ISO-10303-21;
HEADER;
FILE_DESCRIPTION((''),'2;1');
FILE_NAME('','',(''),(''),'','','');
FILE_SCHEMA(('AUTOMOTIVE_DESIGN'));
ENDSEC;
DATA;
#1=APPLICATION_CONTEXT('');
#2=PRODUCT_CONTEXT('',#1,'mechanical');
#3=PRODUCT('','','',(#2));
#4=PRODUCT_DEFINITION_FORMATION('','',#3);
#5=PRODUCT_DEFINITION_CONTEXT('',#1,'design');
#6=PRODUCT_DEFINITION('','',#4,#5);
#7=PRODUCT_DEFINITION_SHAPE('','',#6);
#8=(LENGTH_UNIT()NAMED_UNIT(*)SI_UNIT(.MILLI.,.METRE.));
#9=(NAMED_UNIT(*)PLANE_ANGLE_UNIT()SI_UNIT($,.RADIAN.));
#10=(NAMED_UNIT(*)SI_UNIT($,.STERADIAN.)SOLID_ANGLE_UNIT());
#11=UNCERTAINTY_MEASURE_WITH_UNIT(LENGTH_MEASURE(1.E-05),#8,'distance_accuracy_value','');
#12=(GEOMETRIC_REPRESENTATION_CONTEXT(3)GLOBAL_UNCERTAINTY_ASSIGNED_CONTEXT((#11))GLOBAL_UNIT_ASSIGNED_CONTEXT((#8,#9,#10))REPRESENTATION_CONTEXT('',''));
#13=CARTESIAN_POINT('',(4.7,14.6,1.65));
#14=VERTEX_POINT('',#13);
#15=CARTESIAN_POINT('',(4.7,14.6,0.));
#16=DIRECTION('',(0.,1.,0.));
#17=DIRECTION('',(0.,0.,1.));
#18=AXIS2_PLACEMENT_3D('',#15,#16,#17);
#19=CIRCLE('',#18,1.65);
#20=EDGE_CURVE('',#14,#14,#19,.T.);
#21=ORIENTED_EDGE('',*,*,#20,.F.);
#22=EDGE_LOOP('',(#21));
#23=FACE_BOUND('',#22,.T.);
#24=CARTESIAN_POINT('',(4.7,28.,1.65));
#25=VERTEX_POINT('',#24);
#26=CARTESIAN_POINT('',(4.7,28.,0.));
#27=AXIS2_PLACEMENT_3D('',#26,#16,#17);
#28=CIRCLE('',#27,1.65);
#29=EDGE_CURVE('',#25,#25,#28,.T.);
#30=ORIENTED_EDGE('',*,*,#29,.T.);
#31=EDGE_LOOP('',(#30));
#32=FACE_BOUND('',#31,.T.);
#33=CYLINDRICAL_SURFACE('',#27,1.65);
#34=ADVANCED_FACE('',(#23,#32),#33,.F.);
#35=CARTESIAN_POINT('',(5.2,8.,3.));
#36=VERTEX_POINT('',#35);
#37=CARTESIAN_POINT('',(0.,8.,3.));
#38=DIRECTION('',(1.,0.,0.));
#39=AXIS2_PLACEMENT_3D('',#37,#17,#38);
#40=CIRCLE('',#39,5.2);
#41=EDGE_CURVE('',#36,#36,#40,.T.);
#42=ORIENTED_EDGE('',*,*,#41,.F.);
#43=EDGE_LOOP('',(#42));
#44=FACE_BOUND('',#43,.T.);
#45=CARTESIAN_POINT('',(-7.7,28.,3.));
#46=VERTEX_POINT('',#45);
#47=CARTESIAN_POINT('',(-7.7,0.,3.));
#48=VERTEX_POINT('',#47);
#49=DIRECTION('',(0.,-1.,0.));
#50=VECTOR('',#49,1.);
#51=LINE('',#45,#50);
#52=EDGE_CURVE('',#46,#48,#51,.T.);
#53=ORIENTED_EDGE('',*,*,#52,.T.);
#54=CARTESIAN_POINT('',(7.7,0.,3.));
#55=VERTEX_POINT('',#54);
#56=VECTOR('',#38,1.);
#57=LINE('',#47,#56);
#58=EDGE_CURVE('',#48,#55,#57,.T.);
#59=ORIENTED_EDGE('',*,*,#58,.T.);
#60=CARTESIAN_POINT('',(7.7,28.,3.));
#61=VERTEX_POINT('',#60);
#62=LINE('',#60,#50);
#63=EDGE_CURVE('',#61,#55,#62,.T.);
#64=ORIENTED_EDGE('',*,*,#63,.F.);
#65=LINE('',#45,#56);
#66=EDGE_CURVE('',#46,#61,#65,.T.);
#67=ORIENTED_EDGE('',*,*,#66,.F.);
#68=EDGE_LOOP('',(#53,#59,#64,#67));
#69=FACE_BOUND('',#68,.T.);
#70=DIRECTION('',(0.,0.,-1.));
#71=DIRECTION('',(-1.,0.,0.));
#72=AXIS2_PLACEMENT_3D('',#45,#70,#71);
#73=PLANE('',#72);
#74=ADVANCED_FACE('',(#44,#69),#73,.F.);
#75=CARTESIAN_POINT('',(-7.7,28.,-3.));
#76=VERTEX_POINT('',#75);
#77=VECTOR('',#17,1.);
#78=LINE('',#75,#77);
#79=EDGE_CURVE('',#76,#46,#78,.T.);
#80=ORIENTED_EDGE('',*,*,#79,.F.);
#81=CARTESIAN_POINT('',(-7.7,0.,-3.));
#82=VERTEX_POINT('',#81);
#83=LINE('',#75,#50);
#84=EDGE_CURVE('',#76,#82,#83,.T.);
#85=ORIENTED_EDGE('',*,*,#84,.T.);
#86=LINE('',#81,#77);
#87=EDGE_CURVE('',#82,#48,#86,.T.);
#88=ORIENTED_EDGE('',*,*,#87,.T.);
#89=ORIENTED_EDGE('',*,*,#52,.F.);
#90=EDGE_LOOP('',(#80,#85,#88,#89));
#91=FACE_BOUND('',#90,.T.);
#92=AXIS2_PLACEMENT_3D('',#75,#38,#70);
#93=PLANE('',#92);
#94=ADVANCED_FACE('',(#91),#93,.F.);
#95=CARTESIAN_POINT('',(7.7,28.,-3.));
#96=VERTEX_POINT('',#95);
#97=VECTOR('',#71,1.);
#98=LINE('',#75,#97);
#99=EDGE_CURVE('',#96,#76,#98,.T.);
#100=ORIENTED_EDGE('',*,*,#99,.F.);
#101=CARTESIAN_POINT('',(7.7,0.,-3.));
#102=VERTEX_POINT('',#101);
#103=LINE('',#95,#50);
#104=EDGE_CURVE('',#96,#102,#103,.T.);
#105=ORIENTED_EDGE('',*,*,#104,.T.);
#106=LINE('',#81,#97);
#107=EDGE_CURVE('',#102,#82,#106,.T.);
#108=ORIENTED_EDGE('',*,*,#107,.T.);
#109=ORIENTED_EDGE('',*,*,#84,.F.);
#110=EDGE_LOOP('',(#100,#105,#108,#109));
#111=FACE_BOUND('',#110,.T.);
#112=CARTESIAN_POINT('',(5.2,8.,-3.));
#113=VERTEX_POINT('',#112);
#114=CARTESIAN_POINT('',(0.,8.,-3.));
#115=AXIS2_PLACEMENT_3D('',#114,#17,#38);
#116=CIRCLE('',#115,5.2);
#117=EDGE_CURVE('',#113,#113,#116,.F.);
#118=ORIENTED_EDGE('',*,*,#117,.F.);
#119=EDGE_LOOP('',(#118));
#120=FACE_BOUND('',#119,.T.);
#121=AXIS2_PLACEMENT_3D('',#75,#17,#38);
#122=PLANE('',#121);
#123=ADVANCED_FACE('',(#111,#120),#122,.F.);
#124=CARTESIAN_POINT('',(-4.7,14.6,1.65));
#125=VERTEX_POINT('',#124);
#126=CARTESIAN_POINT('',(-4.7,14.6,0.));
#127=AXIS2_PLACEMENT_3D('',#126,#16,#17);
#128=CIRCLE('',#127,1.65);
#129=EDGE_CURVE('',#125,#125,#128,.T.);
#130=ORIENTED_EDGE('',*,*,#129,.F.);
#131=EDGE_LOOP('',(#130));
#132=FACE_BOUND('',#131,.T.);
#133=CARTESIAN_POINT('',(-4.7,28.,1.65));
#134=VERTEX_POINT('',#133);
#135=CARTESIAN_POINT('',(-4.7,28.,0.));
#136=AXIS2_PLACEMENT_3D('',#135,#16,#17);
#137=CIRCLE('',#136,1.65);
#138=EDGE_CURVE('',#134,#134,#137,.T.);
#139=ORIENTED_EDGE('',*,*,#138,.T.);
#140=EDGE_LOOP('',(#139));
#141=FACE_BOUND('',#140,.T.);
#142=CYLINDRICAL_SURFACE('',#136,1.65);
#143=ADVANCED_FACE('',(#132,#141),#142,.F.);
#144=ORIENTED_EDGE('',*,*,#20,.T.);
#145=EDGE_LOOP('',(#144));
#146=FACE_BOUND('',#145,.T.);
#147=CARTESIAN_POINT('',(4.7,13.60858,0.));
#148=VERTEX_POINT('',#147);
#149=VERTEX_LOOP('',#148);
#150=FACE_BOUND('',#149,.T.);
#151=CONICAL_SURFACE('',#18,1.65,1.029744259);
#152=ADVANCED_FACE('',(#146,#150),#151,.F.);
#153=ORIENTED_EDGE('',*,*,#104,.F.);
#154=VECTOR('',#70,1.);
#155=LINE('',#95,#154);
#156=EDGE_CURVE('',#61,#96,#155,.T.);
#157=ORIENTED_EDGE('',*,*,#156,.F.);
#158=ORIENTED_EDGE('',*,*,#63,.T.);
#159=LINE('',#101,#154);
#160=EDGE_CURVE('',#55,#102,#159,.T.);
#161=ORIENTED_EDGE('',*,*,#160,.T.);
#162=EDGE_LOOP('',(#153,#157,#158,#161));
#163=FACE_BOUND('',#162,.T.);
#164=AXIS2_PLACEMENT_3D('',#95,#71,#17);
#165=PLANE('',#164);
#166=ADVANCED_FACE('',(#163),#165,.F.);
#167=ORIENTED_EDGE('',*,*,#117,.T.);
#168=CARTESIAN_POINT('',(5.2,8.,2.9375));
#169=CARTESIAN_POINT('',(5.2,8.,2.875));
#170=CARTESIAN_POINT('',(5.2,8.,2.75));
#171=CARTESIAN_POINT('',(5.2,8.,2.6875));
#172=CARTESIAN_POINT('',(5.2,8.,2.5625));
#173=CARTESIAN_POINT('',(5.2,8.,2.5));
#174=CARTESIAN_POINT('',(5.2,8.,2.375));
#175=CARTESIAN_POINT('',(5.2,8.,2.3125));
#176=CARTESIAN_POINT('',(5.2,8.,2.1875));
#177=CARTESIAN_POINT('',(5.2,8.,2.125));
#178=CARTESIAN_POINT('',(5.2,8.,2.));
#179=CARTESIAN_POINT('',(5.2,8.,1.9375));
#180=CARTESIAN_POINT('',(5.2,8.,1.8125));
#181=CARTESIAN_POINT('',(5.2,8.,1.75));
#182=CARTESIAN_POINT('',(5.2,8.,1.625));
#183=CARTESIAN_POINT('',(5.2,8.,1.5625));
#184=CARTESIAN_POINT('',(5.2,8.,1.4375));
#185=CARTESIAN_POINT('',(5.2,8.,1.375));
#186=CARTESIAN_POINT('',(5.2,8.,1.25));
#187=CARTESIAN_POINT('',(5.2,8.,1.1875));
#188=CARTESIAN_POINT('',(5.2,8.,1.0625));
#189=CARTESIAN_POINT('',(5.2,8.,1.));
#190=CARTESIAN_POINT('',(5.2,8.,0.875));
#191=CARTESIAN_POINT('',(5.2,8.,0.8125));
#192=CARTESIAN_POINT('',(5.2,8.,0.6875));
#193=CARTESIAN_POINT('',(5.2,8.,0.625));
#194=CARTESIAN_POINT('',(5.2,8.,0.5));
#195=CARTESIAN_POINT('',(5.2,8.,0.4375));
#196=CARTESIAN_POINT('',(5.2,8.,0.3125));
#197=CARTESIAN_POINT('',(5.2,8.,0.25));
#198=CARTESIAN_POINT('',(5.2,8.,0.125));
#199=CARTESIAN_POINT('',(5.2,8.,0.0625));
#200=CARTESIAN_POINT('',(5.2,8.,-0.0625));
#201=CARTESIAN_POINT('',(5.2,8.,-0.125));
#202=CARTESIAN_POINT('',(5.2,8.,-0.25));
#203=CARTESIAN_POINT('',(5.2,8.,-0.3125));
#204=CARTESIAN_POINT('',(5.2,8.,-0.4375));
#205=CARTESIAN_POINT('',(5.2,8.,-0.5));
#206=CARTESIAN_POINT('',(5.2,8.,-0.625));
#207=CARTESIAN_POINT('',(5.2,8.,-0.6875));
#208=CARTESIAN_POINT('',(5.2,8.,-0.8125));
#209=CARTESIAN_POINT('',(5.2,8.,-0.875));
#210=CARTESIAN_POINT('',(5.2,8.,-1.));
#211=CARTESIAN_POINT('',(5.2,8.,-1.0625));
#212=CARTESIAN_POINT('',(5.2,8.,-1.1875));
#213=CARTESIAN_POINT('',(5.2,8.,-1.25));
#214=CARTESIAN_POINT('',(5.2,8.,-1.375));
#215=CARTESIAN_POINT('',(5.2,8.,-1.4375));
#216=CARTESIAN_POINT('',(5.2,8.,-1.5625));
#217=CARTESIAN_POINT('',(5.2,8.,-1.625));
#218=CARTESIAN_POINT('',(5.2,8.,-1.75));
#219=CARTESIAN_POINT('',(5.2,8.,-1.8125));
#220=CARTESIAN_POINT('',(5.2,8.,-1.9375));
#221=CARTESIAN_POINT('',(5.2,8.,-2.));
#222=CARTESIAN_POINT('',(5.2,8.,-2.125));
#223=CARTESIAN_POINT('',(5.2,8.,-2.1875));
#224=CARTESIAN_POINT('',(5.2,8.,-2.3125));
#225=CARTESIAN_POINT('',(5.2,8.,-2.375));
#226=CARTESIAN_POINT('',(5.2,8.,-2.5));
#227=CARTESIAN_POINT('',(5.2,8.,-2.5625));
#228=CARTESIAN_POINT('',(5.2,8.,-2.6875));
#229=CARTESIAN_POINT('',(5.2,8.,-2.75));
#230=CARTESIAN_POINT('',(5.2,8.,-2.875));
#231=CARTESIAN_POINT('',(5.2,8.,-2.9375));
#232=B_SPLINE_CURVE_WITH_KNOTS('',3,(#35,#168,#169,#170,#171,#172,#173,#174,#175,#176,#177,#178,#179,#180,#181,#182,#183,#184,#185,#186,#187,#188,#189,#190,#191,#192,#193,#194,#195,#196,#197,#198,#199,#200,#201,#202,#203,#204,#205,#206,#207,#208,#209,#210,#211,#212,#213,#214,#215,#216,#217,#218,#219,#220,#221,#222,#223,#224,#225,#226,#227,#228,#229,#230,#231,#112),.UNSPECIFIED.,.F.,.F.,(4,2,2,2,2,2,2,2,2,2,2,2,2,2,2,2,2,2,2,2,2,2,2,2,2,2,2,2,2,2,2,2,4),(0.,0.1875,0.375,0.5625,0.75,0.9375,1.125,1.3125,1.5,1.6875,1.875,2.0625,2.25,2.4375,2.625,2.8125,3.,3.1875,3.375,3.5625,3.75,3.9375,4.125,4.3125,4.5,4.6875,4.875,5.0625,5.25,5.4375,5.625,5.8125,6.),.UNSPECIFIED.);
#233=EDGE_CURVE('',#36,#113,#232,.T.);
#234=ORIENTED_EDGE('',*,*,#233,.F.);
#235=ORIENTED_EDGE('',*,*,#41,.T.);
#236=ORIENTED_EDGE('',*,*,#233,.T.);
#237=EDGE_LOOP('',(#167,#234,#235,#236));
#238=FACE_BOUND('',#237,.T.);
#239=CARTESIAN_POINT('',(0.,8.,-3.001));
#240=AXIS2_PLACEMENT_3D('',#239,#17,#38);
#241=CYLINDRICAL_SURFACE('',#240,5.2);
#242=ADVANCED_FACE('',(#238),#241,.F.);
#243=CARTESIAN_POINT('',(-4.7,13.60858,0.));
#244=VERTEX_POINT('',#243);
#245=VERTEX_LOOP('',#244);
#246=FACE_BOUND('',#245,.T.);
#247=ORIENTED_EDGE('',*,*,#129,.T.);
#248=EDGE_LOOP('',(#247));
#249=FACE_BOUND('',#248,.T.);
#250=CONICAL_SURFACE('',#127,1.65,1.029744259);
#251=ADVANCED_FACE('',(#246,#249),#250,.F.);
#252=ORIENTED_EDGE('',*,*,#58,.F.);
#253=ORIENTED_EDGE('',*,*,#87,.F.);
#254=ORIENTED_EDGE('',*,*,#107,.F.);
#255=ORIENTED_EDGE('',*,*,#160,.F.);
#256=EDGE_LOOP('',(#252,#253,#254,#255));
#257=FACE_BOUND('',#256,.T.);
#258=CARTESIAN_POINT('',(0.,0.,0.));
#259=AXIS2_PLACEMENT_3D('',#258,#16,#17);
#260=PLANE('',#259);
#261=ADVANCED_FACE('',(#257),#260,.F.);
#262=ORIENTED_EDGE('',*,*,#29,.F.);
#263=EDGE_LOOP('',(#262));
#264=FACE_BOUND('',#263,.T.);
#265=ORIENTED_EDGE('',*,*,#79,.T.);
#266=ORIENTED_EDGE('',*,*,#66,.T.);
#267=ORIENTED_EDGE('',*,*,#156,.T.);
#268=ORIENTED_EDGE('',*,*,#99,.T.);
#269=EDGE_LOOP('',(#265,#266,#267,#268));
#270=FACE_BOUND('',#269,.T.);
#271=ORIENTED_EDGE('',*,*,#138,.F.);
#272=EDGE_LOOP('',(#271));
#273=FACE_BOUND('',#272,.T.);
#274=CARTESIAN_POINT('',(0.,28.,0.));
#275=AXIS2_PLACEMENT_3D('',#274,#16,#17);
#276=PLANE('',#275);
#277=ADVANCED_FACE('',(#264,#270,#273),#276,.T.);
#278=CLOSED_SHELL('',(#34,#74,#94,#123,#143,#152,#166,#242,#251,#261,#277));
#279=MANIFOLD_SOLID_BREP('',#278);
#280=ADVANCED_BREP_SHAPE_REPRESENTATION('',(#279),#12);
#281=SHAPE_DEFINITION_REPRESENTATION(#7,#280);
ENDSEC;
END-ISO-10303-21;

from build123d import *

# Parameters (mm, degrees)
SKETCH1_W                                     = 15.4
SKETCH1_H                                     = 6
BOSS_EXTRUDE1_DEPTH                           = 28
TAP_DRILL_FOR_M4X0_7_TAP1_D                   = 3.3
TAP_DRILL_FOR_M4X0_7_TAP1_DEPTH               = 13.4
TAP_DRILL_FOR_M4X0_7_TAP1_TIP                 = 0.991420021
CUT_EXTRUDE_PRESS_FIT_HOLE_FOR_SOLENOID_REACH = 31.653
SKETCH4_R                                     = 5.2


with BuildPart() as part:
    # Sketch1 → Boss-Extrude1 (new body)
    with BuildSketch(Plane(origin=(0, 0, 0), x_dir=(1, 0, 0), z_dir=(0, 1, 0))):
        Rectangle(SKETCH1_W, SKETCH1_H)
    extrude(amount=BOSS_EXTRUDE1_DEPTH)

    # Tap Drill for M4x0.7 Tap1
    with Locations(Plane(origin=(-4.7, 28, 0), x_dir=(0, 0, 1), z_dir=(0, 1, 0))):
        with Locations((0, 0), (0, 9.4)):
            Hole(TAP_DRILL_FOR_M4X0_7_TAP1_D / 2, depth=TAP_DRILL_FOR_M4X0_7_TAP1_DEPTH)
            with Locations((0, 0, -(TAP_DRILL_FOR_M4X0_7_TAP1_DEPTH + TAP_DRILL_FOR_M4X0_7_TAP1_TIP / 2))):  # 118° drill point
                Cone(0, TAP_DRILL_FOR_M4X0_7_TAP1_D / 2, TAP_DRILL_FOR_M4X0_7_TAP1_TIP, mode=Mode.SUBTRACT)

    # Sketch4 → Cut-Extrude Press Fit hole for solenoid tube (cut, up to next)
    with BuildSketch(Plane.XY.offset(3), mode=Mode.PRIVATE) as cut_extrude_press_fit_hole_for_solenoid_sk1:
        with Locations((0, 8)):
            Circle(SKETCH4_R)
    cut_extrude_press_fit_hole_for_solenoid_tool1 = extrude(cut_extrude_press_fit_hole_for_solenoid_sk1.sketch, amount=-CUT_EXTRUDE_PRESS_FIT_HOLE_FOR_SOLENOID_REACH, mode=Mode.PRIVATE) & part.part
    add(cut_extrude_press_fit_hole_for_solenoid_tool1.solids().sort_by_distance((0, 8, 3))[0], mode=Mode.SUBTRACT)


solid = part.part
